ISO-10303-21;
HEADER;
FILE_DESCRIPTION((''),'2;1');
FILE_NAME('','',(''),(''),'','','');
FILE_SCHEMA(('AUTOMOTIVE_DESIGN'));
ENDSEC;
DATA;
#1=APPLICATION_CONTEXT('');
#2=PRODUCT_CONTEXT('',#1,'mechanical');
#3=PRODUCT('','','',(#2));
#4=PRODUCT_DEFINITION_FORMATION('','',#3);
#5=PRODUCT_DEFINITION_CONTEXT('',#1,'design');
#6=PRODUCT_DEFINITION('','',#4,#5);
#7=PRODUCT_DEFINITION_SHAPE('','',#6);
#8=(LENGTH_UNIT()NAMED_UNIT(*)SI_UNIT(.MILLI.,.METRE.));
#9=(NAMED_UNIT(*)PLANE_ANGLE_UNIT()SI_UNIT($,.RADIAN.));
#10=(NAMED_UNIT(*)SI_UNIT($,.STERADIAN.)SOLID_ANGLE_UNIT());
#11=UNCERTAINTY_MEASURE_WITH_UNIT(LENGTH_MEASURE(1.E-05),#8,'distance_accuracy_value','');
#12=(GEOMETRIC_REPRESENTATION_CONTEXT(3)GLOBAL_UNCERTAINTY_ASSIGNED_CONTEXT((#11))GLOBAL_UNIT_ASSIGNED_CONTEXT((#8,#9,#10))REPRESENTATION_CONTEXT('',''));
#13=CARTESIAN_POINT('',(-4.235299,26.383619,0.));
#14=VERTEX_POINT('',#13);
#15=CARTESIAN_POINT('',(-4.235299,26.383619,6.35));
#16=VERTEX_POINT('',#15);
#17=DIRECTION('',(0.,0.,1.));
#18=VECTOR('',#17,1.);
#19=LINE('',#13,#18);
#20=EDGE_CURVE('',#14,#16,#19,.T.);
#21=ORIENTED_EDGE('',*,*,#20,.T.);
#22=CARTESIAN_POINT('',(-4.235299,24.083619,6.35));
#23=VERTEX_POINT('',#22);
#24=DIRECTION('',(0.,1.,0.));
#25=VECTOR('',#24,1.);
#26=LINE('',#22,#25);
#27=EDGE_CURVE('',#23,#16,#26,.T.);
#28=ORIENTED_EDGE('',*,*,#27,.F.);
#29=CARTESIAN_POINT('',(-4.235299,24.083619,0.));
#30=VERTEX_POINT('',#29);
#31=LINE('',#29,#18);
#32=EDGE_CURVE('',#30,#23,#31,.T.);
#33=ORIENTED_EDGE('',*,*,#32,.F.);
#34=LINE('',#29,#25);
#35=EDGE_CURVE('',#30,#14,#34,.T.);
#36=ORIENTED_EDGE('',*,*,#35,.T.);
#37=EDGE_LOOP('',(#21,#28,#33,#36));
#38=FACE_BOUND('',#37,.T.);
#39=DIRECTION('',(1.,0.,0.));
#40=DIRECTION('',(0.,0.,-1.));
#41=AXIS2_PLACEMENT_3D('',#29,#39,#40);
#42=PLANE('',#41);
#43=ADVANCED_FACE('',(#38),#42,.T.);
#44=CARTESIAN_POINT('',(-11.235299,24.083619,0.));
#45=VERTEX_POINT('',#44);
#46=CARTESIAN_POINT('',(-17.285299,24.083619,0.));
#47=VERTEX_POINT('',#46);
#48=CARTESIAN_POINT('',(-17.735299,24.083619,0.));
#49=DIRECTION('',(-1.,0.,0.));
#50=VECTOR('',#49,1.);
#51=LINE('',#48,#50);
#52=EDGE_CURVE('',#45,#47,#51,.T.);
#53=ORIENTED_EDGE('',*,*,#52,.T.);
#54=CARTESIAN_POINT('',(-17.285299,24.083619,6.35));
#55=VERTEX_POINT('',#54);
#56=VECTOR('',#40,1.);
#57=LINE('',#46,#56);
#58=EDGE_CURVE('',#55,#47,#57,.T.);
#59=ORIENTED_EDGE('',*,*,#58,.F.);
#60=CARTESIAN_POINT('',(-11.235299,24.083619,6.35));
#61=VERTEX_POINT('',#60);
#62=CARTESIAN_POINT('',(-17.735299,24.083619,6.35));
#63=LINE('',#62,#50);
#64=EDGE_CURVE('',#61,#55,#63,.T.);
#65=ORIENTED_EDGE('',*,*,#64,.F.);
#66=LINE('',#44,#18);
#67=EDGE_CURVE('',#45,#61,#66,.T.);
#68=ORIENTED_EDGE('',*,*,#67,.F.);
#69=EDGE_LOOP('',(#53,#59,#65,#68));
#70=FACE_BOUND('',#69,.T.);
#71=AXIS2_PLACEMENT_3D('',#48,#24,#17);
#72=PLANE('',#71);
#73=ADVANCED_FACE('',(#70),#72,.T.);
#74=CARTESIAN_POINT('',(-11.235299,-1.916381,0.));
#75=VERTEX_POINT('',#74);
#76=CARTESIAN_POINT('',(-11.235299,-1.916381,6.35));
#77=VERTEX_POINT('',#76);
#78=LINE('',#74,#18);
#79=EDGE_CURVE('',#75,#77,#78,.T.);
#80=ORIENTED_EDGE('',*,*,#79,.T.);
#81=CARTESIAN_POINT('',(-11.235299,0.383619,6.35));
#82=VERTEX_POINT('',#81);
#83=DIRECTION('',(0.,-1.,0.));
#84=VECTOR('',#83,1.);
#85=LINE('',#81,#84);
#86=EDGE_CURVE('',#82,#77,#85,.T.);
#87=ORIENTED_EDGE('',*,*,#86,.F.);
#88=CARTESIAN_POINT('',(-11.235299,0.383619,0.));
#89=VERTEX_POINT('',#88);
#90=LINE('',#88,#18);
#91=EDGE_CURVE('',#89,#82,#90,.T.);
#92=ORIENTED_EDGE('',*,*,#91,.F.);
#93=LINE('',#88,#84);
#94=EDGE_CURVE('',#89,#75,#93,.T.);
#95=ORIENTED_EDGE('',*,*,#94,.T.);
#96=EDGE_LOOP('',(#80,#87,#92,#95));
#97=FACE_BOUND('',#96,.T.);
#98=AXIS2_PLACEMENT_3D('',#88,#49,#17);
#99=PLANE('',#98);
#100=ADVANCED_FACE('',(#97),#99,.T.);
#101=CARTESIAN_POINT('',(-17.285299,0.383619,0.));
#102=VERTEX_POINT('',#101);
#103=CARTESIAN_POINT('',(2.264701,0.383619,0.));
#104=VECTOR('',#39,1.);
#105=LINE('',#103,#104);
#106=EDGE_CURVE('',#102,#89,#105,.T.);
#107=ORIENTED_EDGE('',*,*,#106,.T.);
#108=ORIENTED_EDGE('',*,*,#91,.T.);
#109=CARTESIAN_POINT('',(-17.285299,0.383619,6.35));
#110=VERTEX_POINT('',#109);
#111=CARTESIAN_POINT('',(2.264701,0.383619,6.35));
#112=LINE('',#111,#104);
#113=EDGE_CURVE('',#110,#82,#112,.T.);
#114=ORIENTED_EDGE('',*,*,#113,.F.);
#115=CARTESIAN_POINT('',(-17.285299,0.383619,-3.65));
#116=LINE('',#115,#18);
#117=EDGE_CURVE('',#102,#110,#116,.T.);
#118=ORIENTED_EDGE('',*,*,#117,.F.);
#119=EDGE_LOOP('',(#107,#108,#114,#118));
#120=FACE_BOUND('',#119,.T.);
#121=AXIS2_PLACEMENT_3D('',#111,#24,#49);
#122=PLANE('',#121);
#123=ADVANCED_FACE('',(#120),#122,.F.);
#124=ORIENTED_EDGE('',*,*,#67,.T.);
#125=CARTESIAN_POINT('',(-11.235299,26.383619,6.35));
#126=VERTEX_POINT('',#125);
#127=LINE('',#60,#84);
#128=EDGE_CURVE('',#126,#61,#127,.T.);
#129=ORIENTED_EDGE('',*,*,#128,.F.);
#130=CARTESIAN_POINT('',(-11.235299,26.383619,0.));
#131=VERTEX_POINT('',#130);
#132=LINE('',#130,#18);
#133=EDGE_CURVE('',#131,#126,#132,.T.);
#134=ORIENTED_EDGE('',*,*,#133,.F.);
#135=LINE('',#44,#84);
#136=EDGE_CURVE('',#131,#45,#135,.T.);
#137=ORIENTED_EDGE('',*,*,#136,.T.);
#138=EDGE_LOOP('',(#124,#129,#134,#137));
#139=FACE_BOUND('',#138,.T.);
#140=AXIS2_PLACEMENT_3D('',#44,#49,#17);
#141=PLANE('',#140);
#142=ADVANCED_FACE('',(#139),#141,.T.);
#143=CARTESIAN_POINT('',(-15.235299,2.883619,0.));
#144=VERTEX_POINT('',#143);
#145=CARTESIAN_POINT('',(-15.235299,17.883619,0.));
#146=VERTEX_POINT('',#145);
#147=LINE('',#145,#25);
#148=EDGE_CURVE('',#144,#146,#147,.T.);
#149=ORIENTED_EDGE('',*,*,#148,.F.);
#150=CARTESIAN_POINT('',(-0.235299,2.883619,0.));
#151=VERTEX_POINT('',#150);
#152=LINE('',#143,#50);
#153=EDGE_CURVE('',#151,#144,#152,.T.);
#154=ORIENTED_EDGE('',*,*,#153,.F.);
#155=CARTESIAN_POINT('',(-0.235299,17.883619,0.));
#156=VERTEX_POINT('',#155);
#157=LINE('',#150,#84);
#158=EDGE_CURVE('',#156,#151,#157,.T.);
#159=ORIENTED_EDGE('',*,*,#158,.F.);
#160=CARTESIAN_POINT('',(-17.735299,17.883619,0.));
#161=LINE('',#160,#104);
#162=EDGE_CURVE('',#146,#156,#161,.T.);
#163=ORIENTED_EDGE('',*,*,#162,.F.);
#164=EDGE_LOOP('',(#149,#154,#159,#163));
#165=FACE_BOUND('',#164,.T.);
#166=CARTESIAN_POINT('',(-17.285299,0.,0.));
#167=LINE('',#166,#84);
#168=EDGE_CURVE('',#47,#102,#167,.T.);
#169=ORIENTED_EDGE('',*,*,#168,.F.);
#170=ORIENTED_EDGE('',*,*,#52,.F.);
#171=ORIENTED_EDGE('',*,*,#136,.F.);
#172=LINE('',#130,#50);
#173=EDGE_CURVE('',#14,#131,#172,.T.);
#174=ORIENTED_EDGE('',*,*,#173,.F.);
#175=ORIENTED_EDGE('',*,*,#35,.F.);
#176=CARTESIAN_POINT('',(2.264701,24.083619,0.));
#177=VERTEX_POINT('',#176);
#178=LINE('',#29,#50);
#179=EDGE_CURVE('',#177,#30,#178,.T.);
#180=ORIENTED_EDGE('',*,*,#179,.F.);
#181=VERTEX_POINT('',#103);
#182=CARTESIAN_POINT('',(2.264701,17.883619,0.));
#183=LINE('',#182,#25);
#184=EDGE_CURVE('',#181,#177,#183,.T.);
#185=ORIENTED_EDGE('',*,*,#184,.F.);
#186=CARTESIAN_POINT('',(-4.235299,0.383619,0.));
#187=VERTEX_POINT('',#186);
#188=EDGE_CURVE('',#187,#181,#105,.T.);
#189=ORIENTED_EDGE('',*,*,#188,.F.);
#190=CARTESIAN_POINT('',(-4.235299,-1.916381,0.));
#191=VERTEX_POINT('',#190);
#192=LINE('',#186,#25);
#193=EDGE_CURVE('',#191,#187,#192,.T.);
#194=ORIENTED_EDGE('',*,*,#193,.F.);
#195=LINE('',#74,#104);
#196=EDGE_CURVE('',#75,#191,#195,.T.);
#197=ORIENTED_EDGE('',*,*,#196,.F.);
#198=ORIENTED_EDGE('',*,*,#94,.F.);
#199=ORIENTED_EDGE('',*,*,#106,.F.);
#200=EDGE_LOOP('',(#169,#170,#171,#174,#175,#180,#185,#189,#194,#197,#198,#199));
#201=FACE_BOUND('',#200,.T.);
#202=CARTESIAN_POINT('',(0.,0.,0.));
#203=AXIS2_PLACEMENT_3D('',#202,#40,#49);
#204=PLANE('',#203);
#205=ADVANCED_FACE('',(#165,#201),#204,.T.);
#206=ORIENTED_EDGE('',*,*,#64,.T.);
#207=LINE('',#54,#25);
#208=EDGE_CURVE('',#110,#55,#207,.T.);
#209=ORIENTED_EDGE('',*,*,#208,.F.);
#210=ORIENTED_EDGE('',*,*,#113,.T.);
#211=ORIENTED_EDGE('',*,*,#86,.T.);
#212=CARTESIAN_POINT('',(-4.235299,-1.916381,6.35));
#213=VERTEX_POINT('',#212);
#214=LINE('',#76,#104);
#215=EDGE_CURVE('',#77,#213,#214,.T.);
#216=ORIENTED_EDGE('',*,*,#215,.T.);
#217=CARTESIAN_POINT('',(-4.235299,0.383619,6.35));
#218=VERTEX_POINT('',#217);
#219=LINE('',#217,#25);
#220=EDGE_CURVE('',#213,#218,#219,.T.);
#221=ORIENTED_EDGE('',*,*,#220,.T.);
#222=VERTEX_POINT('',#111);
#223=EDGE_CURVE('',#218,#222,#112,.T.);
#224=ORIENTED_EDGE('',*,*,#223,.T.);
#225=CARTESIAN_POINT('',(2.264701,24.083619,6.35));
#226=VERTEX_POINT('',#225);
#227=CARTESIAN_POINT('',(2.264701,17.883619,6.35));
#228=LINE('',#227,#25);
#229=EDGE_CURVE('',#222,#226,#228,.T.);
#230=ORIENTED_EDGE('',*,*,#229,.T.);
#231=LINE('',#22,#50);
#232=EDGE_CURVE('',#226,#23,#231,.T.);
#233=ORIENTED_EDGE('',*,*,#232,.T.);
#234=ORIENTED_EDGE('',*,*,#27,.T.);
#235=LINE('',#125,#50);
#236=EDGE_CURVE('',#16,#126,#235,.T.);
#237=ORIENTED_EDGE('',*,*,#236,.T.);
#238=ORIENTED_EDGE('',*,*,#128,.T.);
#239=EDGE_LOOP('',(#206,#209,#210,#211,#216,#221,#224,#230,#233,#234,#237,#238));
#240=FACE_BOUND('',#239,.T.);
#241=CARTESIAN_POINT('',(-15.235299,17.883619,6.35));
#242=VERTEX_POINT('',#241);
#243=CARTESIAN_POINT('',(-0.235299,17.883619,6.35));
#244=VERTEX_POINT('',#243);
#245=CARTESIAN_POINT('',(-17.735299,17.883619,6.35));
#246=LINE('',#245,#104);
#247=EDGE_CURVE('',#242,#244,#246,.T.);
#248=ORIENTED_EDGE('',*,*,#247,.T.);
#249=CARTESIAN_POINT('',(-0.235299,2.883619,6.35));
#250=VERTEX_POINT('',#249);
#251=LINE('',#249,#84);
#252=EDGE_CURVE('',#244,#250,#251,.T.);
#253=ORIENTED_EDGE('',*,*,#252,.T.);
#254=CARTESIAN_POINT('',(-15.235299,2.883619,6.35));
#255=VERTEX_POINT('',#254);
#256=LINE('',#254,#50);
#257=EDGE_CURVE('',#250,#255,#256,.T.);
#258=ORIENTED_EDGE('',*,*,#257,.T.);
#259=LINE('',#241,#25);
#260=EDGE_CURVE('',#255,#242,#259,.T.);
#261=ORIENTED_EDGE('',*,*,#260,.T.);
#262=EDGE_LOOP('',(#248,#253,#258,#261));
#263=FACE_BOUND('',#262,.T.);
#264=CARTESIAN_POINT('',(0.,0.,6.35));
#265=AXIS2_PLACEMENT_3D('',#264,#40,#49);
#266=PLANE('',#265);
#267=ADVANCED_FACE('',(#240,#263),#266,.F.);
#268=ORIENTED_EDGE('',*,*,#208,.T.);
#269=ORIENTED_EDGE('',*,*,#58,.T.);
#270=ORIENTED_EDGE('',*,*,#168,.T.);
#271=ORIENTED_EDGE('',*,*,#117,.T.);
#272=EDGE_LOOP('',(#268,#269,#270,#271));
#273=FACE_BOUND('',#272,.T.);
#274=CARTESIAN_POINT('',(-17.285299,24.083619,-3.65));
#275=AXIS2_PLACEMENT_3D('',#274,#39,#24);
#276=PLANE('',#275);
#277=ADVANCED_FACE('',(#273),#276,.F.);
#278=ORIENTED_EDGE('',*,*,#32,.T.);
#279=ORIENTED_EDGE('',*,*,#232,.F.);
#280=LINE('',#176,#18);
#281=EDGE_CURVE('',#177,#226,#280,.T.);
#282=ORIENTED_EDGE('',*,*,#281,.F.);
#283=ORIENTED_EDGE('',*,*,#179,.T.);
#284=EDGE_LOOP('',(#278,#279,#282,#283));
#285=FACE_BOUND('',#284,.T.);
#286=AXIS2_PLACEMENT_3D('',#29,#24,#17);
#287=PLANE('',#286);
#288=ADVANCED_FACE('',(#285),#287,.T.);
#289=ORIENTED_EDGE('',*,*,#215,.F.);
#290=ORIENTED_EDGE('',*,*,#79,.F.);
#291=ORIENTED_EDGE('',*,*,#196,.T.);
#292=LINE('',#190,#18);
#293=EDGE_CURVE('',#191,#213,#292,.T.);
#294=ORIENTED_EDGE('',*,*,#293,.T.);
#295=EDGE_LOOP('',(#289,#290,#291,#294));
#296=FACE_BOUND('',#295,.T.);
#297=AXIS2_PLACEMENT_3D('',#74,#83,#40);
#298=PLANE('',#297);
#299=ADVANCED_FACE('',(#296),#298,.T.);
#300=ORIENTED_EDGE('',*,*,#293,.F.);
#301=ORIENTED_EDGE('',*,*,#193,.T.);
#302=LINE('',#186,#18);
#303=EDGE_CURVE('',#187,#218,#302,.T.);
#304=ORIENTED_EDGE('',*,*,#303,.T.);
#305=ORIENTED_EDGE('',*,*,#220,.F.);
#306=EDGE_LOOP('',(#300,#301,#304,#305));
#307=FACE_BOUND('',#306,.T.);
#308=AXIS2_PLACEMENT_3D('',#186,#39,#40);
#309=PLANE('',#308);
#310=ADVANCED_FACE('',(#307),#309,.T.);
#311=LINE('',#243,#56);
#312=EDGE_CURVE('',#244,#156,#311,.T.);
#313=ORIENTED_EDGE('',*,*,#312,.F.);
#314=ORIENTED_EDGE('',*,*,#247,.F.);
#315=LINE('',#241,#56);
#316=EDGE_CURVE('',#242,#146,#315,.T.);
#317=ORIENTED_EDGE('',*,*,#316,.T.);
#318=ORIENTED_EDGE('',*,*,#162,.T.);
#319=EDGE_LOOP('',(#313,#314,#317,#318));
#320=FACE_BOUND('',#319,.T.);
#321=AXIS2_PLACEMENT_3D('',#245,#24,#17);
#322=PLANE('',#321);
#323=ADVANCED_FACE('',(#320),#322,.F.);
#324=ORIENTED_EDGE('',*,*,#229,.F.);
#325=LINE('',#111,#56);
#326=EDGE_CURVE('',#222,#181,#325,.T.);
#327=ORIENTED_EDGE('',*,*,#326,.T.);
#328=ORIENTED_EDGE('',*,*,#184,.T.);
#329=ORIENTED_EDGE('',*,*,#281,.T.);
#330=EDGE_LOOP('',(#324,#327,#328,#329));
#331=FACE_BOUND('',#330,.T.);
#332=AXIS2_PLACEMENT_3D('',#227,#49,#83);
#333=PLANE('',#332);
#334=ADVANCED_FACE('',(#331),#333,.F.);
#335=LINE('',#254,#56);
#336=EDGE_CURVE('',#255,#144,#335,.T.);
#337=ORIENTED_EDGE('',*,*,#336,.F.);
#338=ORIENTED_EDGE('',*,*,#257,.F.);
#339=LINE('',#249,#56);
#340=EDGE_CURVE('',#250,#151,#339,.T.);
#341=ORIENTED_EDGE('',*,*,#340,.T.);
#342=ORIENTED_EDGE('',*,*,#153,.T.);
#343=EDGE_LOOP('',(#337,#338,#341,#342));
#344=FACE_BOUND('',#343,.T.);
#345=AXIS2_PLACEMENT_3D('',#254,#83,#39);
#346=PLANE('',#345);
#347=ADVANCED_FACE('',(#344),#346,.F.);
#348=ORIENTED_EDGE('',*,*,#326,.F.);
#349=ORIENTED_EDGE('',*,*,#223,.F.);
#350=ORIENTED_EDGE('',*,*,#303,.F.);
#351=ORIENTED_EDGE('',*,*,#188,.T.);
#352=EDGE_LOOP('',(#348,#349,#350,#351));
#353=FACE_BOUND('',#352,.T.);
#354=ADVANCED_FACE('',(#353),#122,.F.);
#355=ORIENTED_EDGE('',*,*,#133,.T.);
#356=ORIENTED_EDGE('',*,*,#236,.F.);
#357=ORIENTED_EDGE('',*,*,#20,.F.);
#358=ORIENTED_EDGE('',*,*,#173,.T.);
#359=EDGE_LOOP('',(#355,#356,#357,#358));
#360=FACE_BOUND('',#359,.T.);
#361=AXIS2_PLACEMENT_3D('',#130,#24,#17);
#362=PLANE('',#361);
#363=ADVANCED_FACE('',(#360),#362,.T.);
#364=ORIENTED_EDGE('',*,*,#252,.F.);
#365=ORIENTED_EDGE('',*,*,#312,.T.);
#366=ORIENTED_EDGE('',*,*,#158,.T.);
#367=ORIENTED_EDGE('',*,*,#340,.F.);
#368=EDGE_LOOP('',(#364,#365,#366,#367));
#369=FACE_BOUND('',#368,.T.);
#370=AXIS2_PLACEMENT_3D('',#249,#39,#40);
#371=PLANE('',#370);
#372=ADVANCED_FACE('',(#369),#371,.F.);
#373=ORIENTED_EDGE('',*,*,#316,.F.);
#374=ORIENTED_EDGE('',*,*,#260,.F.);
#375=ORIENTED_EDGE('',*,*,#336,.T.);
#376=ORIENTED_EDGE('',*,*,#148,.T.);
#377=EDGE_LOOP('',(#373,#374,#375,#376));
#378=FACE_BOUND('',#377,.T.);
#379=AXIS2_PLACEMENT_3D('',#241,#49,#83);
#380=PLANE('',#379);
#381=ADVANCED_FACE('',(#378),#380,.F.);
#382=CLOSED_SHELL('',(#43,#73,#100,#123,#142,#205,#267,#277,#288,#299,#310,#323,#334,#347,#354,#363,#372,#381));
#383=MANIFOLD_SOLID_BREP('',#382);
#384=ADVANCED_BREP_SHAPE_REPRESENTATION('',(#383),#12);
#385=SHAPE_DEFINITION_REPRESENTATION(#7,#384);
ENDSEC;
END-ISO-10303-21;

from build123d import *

# Parameters (mm, degrees)
BOSS_EXTRUDE1_DEPTH = 6.35
SKETCH2_W           = 20
SKETCH2_H           = 2.5
BOSS_EXTRUDE2_DEPTH = 6.35
SKETCH4_W           = 7
SKETCH4_H           = 2.3
BOSS_EXTRUDE3_DEPTH = 6.35
SKETCH5_W           = 0.45
SKETCH5_H           = 23.7
CUT_EXTRUDE1_DEPTH  = 10


with BuildPart() as part:
    # Sketch1 → Boss-Extrude1 (new body)
    with BuildSketch(Plane.XY):
        Polygon((-15.235299292, 17.883619427), (-15.235299292, 2.883619427), (-0.235299292, 2.883619427), (-0.235299292, 17.883619427), (2.264700708, 17.883619427), (2.264700708, 0.383619427), (-17.735299292, 0.383619427), (-17.735299292, 17.883619427), align=None)
    extrude(amount=BOSS_EXTRUDE1_DEPTH)

    # Sketch2 → Boss-Extrude2 (add, through all)
    with BuildSketch(Plane.XY):
        with Locations((-7.735299292, 19.133619427)):
            Rectangle(SKETCH2_W, SKETCH2_H)
    extrude(amount=BOSS_EXTRUDE2_DEPTH)

    # Sketch4 → Boss-Extrude3 (add)
    with BuildSketch(Plane.XY.offset(6.35)):
        Polygon((-17.735299292, 20.383619427), (2.264700708, 20.383619427), (2.264700708, 24.083619427), (-4.235299292, 24.083619427), (-4.235299292, 26.383619427), (-11.235299292, 26.383619427), (-11.235299292, 24.083619427), (-17.735299292, 24.083619427), align=None)
        with Locations((-7.735299292, -0.766380573)):
            Rectangle(SKETCH4_W, SKETCH4_H)
    extrude(amount=-BOSS_EXTRUDE3_DEPTH)

    # Sketch5 → Cut-Extrude1 (cut)
    with BuildSketch(Plane.XY.offset(6.35)):
        with Locations((-17.510299292, 12.233619427)):
            Rectangle(SKETCH5_W, SKETCH5_H)
    extrude(amount=-CUT_EXTRUDE1_DEPTH, mode=Mode.SUBTRACT)


solid = part.part
